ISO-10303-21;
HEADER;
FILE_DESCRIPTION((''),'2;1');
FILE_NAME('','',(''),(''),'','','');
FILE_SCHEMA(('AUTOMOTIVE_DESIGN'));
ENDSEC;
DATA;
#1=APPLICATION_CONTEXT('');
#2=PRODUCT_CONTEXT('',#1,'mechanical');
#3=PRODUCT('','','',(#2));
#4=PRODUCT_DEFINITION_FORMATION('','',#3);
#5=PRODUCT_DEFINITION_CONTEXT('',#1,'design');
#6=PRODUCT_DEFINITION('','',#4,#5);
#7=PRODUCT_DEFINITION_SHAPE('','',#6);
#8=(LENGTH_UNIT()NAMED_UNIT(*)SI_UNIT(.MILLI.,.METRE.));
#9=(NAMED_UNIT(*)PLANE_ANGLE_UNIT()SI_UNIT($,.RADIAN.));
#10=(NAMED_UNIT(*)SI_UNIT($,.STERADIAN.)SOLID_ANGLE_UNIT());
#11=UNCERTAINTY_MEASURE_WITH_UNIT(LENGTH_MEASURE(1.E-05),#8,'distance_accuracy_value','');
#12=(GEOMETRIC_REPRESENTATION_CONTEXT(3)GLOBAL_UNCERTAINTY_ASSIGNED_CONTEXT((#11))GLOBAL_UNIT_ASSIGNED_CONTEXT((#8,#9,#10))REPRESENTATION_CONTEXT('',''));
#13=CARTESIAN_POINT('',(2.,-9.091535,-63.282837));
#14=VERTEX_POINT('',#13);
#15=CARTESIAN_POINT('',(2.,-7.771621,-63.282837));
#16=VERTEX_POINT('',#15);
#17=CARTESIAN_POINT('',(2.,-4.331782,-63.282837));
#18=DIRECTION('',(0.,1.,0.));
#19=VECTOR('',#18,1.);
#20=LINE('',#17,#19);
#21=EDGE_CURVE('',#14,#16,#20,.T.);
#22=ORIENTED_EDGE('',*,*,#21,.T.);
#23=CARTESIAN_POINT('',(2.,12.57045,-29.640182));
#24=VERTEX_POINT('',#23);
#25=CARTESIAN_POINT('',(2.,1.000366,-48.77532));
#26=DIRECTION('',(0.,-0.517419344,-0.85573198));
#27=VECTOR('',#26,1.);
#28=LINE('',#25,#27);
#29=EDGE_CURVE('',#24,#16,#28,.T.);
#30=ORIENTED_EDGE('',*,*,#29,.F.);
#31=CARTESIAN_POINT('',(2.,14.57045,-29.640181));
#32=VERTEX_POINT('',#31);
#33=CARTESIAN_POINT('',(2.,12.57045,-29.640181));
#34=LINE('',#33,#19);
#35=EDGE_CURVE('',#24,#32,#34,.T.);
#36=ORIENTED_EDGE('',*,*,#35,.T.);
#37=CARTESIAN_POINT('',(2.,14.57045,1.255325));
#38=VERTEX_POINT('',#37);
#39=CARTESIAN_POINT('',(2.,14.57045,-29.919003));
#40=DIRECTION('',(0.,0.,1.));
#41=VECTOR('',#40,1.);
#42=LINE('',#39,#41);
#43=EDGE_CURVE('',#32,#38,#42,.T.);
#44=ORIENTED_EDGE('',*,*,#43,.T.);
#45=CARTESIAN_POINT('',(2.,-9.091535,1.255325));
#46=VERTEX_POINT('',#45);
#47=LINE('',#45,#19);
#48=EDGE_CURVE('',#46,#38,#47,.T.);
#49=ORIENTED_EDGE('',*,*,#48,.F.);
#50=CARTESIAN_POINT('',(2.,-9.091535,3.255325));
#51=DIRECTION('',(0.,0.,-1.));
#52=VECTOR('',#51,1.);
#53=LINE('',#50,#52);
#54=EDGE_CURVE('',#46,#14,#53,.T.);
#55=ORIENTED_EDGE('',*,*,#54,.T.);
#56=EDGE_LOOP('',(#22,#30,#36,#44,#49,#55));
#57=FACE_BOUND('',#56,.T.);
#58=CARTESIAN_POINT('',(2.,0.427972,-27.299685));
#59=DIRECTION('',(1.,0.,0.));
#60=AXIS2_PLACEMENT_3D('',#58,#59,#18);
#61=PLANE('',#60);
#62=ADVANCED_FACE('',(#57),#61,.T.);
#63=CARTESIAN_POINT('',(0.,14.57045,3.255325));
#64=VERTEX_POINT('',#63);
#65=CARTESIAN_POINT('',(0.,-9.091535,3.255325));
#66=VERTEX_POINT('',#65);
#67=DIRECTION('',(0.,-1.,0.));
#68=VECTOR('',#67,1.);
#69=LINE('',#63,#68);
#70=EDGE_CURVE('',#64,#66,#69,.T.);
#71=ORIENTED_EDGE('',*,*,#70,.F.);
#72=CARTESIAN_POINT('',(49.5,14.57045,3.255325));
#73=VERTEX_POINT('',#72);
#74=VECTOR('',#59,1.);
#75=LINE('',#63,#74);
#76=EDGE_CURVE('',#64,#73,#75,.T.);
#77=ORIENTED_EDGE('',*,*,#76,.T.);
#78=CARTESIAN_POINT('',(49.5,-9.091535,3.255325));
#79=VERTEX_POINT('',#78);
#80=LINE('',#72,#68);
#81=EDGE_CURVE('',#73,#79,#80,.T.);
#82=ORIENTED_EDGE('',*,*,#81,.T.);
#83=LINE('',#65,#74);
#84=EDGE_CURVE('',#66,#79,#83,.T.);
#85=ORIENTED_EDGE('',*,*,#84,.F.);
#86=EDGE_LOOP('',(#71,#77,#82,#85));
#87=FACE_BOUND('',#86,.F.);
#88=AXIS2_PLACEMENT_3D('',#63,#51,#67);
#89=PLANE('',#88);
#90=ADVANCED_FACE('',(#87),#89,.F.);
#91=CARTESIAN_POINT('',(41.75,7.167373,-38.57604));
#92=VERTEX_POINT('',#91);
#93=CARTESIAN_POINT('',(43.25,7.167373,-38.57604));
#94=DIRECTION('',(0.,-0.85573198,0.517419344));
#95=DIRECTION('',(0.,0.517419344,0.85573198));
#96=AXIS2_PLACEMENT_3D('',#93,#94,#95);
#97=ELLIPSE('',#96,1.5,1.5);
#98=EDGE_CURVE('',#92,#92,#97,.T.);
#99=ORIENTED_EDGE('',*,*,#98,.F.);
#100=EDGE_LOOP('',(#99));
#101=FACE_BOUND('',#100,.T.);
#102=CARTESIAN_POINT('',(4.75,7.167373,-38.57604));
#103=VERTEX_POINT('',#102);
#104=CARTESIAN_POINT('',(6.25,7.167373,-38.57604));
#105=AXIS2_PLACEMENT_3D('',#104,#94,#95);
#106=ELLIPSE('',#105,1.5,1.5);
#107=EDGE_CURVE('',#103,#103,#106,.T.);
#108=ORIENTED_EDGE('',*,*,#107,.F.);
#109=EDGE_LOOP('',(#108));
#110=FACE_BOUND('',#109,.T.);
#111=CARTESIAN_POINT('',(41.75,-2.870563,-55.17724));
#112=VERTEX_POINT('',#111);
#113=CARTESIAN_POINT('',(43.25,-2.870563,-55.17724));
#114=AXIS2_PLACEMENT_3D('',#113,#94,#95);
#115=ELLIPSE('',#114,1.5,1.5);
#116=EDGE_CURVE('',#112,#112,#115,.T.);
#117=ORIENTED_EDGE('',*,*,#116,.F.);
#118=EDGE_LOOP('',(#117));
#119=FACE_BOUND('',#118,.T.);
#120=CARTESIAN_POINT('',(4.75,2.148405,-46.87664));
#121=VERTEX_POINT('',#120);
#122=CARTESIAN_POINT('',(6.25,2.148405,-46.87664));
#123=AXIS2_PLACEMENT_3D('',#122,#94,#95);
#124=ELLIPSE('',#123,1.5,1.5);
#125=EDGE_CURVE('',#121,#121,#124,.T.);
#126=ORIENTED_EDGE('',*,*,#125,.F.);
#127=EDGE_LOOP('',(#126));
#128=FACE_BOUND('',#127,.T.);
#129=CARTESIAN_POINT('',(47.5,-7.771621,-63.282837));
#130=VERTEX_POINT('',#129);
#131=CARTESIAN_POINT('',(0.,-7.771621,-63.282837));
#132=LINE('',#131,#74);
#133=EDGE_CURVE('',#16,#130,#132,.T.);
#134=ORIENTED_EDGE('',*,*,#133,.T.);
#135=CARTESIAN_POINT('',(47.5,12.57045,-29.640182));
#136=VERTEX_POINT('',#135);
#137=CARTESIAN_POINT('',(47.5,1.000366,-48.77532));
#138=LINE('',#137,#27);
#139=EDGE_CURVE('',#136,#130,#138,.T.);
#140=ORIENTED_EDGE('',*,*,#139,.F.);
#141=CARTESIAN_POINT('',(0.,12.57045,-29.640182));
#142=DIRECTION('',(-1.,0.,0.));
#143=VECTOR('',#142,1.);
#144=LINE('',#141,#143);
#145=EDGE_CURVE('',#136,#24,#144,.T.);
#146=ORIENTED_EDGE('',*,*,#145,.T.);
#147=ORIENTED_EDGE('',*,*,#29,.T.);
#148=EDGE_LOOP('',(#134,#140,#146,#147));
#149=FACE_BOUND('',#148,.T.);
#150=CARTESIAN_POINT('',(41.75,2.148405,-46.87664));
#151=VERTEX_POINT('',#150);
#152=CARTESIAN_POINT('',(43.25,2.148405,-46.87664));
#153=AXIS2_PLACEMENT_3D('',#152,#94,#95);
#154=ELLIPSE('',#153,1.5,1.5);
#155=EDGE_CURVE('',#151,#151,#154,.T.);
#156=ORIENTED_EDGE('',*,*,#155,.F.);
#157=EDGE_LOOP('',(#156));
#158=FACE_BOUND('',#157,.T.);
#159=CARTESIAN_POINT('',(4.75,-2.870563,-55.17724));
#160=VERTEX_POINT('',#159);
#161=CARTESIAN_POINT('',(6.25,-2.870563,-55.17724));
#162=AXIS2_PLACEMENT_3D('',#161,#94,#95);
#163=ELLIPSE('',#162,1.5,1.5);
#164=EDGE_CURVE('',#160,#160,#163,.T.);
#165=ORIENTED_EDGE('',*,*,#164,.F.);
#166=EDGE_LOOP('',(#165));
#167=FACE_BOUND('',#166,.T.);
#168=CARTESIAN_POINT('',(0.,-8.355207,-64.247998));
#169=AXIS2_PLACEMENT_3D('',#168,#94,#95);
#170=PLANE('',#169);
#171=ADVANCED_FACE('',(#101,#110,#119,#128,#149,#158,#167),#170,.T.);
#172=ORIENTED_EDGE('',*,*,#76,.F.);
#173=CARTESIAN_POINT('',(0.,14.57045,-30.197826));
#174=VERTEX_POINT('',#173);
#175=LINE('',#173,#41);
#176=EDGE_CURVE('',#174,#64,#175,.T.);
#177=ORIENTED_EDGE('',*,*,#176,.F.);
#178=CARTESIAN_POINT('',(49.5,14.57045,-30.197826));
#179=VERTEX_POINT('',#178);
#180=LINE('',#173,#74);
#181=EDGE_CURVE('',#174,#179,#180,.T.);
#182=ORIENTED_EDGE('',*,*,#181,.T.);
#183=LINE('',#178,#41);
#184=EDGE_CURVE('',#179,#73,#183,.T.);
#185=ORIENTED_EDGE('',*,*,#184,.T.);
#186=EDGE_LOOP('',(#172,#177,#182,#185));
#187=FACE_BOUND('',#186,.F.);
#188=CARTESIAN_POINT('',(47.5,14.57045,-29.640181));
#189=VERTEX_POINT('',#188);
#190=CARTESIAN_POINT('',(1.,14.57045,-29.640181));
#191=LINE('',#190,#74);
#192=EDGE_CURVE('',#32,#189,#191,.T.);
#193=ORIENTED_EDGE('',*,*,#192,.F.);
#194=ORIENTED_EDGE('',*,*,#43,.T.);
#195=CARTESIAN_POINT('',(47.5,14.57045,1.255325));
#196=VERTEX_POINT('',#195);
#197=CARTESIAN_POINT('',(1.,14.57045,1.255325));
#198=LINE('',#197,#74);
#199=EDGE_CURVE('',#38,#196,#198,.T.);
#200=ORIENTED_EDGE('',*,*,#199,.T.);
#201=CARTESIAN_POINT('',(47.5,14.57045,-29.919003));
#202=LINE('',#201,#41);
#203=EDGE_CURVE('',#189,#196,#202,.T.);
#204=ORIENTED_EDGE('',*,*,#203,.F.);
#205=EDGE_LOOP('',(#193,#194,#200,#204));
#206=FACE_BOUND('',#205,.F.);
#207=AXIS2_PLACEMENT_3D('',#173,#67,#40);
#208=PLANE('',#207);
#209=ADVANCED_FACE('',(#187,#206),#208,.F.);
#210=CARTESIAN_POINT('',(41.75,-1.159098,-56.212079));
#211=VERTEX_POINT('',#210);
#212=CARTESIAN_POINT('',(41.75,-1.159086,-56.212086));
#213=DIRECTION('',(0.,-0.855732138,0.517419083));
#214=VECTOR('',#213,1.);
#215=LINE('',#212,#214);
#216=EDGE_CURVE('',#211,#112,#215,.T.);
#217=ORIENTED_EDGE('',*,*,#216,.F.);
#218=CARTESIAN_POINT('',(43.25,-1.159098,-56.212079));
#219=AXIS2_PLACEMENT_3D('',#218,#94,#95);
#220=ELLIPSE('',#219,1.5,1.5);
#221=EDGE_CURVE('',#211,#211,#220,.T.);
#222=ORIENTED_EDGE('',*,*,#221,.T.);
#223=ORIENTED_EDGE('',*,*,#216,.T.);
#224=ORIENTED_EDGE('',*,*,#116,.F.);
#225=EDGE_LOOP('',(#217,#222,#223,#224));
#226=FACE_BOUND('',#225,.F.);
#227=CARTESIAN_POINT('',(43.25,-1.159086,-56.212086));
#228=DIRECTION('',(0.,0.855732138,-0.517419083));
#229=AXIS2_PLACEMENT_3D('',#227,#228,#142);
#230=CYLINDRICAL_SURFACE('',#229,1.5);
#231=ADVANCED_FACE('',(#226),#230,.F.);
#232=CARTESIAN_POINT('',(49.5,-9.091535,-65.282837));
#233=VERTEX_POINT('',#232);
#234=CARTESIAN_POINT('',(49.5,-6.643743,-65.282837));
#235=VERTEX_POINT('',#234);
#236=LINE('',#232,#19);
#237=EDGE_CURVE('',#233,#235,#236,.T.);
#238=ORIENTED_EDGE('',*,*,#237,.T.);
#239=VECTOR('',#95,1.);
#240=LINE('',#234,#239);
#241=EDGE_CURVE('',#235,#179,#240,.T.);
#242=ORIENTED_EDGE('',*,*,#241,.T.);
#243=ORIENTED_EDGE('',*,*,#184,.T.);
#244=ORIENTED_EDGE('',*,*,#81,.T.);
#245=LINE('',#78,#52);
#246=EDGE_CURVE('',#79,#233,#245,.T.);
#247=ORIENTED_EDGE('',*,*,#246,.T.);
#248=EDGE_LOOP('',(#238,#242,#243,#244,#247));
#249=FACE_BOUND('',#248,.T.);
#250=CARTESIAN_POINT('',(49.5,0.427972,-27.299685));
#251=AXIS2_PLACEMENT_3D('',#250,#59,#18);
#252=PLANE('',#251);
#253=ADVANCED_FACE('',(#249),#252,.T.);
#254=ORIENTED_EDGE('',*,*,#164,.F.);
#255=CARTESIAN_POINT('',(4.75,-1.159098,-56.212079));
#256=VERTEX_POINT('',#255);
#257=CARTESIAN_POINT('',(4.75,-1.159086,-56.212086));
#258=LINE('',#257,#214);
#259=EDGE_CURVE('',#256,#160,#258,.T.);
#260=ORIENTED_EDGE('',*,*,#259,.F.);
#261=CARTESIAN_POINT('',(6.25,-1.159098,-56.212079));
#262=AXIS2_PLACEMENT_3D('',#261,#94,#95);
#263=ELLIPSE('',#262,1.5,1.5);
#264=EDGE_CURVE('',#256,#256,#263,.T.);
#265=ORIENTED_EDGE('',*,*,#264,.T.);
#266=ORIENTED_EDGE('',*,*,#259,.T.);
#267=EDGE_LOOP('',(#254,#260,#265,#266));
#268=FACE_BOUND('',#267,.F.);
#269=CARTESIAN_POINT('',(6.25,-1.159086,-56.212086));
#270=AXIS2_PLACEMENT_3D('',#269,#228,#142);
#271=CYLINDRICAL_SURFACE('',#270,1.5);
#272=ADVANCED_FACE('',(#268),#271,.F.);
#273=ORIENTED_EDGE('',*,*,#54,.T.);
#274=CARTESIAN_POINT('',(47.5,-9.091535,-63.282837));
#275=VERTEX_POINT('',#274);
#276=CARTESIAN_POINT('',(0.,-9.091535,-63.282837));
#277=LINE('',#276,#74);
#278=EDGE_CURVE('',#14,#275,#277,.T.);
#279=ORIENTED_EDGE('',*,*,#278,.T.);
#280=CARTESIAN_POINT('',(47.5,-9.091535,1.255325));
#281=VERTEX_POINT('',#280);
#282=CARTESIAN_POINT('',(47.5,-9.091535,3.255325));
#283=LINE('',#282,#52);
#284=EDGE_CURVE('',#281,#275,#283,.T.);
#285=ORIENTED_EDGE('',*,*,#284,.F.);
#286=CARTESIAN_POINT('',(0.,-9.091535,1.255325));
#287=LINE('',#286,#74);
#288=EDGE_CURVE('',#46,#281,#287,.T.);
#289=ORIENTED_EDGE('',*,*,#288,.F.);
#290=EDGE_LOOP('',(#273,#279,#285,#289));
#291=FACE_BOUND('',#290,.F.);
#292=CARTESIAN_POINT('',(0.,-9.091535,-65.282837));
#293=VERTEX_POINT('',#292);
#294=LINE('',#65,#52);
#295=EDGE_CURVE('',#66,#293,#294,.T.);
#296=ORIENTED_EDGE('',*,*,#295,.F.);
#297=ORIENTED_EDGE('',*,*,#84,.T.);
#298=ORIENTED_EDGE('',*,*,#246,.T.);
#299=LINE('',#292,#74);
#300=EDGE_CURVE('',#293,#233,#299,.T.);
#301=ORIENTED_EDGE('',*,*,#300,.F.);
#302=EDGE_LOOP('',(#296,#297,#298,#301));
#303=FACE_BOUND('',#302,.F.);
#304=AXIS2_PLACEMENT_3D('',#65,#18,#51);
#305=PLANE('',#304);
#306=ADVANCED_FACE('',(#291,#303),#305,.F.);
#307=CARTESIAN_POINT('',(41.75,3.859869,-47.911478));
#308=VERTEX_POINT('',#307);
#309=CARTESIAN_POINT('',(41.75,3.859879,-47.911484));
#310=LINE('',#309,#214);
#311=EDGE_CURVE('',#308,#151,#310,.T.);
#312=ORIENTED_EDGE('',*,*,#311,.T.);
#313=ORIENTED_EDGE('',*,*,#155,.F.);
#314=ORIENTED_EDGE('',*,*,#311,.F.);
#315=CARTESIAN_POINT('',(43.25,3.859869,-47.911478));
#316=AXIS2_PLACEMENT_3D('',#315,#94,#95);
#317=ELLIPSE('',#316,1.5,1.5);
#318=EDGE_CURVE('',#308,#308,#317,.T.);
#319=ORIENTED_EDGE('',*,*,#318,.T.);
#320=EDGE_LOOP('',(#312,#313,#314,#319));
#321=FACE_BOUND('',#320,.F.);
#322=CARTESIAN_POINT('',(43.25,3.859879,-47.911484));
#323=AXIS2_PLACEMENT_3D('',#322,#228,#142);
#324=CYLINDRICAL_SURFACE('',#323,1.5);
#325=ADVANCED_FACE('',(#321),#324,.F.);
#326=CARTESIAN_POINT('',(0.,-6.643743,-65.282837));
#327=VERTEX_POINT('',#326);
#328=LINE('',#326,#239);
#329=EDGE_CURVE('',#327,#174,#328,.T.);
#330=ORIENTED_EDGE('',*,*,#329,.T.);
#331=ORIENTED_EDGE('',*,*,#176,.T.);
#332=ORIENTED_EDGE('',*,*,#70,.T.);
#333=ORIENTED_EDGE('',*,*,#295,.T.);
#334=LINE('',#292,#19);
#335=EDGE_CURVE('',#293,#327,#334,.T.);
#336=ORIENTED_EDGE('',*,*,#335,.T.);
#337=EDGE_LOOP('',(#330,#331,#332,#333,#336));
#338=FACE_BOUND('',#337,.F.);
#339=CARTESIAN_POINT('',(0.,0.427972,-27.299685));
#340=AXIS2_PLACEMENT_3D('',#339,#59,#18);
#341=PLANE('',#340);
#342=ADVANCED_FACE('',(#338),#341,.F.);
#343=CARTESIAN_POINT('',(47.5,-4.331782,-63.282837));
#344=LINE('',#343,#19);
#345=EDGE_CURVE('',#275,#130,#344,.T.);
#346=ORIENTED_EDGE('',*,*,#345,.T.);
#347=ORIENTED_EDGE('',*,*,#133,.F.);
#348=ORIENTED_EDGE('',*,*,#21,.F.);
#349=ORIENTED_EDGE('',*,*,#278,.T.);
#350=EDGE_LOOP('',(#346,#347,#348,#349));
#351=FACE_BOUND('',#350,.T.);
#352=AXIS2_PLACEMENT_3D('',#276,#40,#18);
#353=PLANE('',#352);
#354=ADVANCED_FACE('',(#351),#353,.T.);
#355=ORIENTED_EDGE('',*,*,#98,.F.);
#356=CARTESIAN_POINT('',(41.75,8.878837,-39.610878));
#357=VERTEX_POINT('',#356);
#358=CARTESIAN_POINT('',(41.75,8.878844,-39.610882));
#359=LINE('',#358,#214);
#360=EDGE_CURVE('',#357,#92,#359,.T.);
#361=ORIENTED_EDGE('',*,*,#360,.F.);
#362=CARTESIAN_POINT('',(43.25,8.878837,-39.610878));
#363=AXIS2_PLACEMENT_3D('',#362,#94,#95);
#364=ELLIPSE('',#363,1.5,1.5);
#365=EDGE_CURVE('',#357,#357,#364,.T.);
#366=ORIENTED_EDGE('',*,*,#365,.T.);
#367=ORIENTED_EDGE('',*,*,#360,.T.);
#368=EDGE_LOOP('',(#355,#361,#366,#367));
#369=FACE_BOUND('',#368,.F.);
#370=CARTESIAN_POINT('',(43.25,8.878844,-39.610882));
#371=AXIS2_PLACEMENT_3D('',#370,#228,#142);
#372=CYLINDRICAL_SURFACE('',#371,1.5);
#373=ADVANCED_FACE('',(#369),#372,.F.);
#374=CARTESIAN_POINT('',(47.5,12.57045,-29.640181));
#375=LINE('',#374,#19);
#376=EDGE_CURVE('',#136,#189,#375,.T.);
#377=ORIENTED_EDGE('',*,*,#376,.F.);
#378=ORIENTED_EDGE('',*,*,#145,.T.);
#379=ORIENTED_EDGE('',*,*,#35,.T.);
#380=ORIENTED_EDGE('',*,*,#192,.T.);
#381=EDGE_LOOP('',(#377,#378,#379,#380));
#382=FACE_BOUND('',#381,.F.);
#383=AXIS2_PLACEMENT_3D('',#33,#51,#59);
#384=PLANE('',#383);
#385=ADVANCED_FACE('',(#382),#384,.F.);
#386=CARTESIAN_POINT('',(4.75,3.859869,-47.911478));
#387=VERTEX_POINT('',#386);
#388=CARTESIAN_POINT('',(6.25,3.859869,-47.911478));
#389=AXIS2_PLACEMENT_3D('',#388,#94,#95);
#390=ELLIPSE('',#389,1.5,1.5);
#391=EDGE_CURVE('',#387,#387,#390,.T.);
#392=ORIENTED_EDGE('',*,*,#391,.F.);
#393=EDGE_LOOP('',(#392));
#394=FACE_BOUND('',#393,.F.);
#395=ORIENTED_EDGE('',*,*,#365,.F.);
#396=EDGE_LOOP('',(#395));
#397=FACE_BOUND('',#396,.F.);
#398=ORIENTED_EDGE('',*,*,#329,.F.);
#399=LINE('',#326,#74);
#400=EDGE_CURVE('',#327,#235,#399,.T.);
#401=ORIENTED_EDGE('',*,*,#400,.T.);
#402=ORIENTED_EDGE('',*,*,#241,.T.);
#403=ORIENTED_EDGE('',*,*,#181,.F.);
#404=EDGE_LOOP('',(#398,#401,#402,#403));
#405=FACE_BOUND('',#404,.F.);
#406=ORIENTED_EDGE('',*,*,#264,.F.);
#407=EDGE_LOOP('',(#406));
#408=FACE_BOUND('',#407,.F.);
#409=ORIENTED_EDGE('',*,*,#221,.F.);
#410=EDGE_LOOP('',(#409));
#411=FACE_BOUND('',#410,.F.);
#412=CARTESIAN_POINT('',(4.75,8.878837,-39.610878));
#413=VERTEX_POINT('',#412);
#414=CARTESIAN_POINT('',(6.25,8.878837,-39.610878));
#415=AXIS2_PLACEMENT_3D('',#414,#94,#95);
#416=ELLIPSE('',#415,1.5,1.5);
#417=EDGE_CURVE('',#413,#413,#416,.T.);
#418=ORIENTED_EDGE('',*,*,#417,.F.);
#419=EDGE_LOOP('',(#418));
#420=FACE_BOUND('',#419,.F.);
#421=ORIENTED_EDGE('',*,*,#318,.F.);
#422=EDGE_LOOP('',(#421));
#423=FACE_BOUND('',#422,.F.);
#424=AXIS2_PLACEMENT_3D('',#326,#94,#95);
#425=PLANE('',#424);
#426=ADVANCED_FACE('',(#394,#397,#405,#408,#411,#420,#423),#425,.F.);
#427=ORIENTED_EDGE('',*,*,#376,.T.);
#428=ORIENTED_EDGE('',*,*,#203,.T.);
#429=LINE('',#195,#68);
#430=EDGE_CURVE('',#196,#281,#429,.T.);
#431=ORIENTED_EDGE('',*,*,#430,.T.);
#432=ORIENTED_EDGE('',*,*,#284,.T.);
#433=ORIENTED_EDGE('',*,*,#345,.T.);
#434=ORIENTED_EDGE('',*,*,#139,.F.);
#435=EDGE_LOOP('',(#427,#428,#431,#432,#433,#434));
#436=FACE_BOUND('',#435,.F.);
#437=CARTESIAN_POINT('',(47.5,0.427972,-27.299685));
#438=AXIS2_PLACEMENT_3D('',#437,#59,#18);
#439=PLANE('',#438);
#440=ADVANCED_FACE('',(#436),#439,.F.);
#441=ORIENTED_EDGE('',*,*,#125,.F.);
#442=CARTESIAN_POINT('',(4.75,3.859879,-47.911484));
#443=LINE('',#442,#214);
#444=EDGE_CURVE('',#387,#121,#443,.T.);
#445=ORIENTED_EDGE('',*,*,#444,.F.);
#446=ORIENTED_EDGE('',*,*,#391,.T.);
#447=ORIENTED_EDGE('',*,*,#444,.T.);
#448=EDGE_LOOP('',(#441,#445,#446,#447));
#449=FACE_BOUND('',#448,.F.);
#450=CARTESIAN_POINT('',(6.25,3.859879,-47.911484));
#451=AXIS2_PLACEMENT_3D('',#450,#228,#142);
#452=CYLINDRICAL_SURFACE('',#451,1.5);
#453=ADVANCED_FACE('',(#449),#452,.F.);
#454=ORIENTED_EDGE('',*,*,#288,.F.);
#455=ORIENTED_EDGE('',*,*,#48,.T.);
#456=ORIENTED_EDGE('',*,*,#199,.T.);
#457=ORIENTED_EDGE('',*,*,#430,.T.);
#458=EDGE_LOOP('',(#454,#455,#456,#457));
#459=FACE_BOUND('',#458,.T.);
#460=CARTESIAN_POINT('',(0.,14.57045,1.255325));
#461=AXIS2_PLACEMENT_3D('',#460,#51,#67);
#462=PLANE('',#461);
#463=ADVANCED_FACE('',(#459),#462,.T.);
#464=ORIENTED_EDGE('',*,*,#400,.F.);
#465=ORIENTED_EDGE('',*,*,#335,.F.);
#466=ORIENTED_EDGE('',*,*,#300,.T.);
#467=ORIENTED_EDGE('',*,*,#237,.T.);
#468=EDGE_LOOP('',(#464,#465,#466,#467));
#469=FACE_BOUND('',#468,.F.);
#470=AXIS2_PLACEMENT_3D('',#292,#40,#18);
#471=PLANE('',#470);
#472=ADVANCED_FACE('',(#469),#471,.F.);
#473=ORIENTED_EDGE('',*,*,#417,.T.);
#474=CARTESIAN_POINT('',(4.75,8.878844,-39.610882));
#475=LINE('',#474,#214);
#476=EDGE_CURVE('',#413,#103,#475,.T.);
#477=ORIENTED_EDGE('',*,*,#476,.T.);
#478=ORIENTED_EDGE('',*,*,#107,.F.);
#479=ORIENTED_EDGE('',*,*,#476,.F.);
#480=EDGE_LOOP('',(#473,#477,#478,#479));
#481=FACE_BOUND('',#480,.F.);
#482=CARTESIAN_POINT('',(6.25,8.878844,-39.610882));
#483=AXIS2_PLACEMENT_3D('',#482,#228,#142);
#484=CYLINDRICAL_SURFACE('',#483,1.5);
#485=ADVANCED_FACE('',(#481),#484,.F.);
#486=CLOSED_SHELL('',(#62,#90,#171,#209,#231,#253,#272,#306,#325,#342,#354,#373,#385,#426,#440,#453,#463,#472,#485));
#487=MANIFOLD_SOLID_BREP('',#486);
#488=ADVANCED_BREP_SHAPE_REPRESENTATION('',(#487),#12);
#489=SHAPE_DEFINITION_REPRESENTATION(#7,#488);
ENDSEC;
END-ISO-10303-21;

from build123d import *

# Parameters (mm, degrees)
F1_DEPTH = 49.5
F2_T     = -2
F3_W     = 45.5
F3_H     = 30.895506
F4_DEPTH = 25
F5_R     = 1.5
F6_DEPTH = 25


with BuildPart() as f1:
    # F0 (on Right) → F1 (new body)
    with BuildSketch(Plane.YZ):
        Polygon((14.57045, 3.255325), (-9.091535, 3.255325), (-9.091535, -65.282837), (-6.643743, -65.282837), (14.57045, -30.197826), align=None)
    extrude(amount=F1_DEPTH)

    # F2
    f2_openings = [f1.faces().sort_by_distance(p)[0] for p in [
        (24.75, -9.091535, -31.013756),
    ]]
    offset(amount=F2_T, openings=f2_openings)

    # F3 (on face) → F4 (cut)
    with BuildSketch(Plane.XZ.offset(-12.57045)):
        with Locations((24.75, -14.192428)):
            Rectangle(F3_W, F3_H)
    extrude(amount=-F4_DEPTH, mode=Mode.SUBTRACT)

    # F5 (on face) → F6 (cut)
    with BuildSketch(Plane(origin=(0, 24.040368, -14.536037), x_dir=(-1, 0, 0), z_dir=(0, 0.855732, -0.517419))):
        with Locations((-43.25, -29.302213)):
            Circle(F5_R)
        with Locations((-43.25, -39.002213)):
            Circle(F5_R)
        with Locations((-43.25, -48.702213)):
            Circle(F5_R)
        with Locations((-6.25, -29.302213)):
            Circle(F5_R)
        with Locations((-6.25, -39.002213)):
            Circle(F5_R)
        with Locations((-6.25, -48.702213)):
            Circle(F5_R)
    extrude(amount=-F6_DEPTH, mode=Mode.SUBTRACT)


solid = f1.part
